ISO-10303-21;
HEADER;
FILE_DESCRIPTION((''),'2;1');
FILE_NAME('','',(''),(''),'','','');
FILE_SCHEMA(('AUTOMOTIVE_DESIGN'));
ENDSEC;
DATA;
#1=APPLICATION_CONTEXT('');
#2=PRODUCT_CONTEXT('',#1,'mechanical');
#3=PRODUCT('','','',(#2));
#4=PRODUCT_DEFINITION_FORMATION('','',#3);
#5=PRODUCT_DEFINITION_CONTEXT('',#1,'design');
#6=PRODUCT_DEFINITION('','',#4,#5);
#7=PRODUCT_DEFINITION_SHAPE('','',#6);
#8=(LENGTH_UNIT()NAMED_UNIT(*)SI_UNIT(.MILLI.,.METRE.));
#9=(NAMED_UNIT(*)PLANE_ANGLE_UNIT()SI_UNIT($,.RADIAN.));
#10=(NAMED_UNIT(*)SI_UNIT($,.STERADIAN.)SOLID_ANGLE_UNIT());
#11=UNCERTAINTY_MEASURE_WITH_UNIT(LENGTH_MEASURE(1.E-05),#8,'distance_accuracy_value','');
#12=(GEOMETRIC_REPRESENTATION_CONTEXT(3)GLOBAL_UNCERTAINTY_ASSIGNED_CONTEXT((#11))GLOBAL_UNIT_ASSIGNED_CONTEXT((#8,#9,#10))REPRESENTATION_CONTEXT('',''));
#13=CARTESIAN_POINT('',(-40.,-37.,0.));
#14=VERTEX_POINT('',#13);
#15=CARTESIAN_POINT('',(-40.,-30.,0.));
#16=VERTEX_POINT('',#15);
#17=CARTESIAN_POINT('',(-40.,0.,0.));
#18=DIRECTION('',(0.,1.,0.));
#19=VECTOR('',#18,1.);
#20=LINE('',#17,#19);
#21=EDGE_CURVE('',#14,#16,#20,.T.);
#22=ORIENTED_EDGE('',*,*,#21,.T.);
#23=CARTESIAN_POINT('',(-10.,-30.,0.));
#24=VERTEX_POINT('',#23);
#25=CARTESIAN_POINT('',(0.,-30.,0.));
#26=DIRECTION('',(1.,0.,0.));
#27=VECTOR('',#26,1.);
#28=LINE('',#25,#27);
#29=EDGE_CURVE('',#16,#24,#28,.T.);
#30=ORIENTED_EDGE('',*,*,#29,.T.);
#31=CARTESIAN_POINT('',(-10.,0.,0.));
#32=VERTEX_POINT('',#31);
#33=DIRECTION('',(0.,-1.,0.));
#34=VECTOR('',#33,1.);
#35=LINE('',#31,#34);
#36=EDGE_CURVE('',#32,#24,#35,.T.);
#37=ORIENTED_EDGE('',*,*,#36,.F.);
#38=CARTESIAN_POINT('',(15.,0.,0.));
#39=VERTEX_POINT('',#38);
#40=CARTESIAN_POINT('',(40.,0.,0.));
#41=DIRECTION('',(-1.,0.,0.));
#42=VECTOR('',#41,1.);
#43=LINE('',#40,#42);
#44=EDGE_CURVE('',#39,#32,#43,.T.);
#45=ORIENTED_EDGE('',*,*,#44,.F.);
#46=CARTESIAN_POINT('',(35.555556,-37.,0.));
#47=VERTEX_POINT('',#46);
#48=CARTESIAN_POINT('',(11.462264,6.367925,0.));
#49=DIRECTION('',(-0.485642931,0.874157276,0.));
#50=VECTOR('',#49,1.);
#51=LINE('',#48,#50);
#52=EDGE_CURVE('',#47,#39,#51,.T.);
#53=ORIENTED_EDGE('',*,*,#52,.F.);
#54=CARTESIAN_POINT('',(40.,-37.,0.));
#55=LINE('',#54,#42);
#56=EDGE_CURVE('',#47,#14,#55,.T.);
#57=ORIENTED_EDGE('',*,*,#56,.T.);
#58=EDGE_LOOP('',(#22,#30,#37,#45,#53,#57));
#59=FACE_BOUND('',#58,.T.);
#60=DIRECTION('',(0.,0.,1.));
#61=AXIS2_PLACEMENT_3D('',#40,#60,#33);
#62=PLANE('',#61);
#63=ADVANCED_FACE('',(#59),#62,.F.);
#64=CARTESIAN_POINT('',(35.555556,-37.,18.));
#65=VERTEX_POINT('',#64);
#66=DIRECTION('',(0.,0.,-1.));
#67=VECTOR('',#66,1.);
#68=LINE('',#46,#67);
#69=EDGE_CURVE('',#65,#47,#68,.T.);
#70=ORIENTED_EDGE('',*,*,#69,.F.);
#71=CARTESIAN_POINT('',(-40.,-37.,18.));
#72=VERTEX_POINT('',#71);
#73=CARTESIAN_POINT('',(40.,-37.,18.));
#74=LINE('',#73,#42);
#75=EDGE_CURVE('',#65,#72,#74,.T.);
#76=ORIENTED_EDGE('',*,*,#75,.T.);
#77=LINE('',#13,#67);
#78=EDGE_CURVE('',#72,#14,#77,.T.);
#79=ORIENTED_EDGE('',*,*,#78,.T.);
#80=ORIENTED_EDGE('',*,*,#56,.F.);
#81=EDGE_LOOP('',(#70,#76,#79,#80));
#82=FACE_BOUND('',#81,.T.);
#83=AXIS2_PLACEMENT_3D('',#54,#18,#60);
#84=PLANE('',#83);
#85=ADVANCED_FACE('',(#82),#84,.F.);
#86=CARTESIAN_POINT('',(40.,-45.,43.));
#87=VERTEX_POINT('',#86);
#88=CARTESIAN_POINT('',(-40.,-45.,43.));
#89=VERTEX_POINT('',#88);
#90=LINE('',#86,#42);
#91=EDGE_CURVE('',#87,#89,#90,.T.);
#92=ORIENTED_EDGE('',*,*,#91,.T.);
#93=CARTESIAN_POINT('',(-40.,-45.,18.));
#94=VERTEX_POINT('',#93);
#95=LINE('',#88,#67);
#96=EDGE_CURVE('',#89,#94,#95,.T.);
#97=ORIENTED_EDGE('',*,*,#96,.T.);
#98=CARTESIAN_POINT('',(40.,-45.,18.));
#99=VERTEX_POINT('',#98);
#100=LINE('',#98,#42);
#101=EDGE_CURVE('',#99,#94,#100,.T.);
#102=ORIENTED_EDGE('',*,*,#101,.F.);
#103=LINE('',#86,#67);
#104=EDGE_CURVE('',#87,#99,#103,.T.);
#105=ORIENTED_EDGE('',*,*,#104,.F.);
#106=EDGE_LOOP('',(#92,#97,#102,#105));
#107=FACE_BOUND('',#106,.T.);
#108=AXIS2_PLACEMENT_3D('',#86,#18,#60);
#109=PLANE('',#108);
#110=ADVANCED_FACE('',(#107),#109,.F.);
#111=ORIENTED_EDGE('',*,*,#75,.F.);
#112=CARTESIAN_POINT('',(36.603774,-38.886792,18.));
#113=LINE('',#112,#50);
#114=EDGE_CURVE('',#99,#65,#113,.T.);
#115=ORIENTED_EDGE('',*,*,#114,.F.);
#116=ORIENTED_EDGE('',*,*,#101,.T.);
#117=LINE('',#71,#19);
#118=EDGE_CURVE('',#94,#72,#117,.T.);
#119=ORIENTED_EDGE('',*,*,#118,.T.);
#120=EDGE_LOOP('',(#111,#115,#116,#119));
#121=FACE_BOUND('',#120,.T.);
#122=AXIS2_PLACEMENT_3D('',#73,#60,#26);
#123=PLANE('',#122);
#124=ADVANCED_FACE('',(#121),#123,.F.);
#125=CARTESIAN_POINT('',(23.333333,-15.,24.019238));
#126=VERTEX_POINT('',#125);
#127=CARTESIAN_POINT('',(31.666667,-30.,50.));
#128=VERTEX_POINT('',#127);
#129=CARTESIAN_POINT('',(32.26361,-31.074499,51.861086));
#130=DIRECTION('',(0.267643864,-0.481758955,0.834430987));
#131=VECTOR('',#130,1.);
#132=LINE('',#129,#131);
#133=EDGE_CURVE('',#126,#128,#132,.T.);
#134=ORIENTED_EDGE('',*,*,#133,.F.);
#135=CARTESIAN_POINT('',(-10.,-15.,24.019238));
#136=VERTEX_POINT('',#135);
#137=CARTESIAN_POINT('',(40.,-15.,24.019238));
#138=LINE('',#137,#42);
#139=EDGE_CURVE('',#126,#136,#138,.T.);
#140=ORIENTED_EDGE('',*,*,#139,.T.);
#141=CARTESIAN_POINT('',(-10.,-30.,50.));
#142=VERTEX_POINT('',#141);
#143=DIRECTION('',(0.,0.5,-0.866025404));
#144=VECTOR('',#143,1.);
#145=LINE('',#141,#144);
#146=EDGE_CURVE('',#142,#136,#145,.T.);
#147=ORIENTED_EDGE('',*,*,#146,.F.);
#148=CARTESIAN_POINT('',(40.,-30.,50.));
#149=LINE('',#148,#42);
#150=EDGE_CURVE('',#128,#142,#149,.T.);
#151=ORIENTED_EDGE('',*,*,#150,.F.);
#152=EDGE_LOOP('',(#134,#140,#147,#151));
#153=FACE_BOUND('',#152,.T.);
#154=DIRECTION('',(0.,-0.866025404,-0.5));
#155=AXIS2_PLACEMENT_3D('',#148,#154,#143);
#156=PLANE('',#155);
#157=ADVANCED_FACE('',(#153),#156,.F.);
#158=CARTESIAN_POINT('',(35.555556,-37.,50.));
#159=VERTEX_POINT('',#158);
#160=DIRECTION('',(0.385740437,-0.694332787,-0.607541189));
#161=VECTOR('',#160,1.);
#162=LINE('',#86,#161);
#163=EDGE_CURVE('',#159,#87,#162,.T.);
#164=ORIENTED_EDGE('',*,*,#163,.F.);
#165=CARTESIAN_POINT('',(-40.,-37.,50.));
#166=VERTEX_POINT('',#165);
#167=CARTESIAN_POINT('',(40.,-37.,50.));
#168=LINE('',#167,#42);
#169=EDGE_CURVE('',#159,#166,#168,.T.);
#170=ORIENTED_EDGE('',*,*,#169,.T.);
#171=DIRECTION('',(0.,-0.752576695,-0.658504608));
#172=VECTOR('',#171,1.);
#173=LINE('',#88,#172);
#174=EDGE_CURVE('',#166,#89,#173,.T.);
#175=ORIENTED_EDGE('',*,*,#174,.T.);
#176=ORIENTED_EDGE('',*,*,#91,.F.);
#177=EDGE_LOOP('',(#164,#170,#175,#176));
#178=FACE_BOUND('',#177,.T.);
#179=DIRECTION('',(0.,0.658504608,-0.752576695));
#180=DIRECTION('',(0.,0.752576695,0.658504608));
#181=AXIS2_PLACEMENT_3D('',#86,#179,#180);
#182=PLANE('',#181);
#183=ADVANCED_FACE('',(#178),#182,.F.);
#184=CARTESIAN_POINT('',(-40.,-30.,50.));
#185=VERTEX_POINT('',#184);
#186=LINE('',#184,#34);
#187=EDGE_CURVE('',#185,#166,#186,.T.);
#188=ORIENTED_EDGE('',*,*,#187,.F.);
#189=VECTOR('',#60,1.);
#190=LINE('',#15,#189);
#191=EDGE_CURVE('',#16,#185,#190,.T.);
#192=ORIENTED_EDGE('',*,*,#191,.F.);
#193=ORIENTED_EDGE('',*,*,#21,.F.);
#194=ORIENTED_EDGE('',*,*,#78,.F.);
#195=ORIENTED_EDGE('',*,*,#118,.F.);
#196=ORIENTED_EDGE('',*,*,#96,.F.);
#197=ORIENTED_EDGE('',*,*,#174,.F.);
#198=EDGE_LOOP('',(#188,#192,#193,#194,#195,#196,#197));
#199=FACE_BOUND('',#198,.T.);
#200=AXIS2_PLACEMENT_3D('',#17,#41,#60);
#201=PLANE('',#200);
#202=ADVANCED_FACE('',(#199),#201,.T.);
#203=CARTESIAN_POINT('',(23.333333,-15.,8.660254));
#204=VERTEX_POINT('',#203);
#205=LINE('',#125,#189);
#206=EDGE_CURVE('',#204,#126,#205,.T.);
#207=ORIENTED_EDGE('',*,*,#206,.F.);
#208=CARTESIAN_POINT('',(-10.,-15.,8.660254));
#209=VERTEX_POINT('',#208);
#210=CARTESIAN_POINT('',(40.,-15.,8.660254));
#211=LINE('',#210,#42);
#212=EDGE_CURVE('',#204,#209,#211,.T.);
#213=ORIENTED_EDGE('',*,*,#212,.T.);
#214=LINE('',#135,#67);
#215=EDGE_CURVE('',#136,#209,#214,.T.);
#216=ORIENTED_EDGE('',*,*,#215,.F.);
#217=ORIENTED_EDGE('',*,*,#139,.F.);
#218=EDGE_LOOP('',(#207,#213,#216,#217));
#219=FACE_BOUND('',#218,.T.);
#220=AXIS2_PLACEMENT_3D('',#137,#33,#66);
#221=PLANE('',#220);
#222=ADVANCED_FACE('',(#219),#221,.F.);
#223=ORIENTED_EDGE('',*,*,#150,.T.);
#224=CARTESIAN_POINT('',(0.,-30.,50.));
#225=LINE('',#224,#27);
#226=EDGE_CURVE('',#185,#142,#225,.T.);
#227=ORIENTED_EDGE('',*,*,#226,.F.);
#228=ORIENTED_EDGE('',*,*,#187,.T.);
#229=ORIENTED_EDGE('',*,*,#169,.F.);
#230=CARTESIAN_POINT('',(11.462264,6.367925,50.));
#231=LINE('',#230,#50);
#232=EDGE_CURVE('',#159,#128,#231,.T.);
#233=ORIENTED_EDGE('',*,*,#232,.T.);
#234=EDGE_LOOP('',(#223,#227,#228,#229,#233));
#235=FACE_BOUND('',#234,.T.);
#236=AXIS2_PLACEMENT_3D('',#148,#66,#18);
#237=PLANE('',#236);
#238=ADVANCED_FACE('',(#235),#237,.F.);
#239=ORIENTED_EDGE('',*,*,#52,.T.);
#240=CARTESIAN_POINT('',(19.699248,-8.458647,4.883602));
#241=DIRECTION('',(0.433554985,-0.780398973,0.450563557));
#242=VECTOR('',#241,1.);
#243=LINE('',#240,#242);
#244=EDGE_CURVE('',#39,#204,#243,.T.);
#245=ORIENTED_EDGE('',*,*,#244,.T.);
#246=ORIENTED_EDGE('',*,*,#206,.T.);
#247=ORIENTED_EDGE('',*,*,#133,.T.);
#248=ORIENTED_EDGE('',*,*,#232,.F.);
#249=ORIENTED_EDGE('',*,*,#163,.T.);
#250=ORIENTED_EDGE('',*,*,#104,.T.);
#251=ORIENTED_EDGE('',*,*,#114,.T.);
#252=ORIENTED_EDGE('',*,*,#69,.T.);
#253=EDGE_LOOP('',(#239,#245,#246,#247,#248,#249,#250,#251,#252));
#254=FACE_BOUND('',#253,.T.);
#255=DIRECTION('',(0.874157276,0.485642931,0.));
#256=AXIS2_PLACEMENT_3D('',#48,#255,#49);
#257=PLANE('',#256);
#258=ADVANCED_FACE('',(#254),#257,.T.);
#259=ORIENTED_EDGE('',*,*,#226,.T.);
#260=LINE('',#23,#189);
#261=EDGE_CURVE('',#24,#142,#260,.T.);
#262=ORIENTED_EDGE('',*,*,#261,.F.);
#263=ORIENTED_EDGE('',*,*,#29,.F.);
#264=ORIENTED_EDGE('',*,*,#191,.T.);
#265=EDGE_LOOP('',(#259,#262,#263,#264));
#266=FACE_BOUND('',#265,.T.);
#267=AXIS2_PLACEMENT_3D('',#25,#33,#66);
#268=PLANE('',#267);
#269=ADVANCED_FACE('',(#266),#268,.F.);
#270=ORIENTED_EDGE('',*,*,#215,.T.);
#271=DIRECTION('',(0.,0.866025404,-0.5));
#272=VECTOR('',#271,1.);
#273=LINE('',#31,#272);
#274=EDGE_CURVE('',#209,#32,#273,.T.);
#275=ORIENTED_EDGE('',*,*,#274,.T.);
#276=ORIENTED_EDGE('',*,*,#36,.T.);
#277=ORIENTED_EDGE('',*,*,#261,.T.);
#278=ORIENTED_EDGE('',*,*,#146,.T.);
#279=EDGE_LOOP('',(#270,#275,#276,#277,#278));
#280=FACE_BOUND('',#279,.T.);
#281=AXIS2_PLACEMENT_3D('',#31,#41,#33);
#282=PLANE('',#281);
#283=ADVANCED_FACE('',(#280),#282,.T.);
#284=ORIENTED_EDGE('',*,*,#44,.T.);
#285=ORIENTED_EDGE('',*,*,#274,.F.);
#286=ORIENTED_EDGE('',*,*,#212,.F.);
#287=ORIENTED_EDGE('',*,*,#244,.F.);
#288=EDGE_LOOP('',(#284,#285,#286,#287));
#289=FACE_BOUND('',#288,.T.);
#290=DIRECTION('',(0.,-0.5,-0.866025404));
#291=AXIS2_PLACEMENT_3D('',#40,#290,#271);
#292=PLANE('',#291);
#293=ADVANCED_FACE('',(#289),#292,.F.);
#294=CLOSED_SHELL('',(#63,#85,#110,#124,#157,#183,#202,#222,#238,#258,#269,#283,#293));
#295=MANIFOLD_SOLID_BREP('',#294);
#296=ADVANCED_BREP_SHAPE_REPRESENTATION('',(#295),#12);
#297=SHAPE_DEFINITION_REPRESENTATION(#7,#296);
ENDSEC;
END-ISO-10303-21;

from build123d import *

# Parameters (mm, degrees)
BOSS_EXTRUDE3_DEPTH = 40
CUT_EXTRUDE1_DEPTH  = 51
CUT_EXTRUDE3_DEPTH  = 51


with BuildPart() as part:
    # Sketch8 → Boss-Extrude3 (new body, symmetric)
    with BuildSketch(Plane(origin=(0, 0, 0), x_dir=(0, 0, -1), z_dir=(1, 0, 0))):
        Polygon((-50, -30), (-50, -37), (-43, -45), (-18, -45), (-18, -37), (0, -37), (0, 0), (-8.660254038, -15), (-24.019237886, -15), align=None)
    extrude(amount=BOSS_EXTRUDE3_DEPTH, both=True)

    # Sketch10 → Cut-Extrude1 (cut, through all)
    with BuildSketch(Plane.XY.offset(50)):
        Polygon((-10, 0), (-40, 0), (-40, -15), (-40, -30), (-10, -30), align=None)
    extrude(amount=-CUT_EXTRUDE1_DEPTH, mode=Mode.SUBTRACT)

    # Sketch11 → Cut-Extrude3 (cut, through all)
    with BuildSketch(Plane.XY.offset(50)):
        Polygon((40, 0), (15, 0), (23.333333333, -15), (40, -15), align=None)
        Polygon((40, -15), (23.333333333, -15), (40, -45), (40, -37), (40, -30), align=None)
    extrude(amount=-CUT_EXTRUDE3_DEPTH, mode=Mode.SUBTRACT)


solid = part.part
